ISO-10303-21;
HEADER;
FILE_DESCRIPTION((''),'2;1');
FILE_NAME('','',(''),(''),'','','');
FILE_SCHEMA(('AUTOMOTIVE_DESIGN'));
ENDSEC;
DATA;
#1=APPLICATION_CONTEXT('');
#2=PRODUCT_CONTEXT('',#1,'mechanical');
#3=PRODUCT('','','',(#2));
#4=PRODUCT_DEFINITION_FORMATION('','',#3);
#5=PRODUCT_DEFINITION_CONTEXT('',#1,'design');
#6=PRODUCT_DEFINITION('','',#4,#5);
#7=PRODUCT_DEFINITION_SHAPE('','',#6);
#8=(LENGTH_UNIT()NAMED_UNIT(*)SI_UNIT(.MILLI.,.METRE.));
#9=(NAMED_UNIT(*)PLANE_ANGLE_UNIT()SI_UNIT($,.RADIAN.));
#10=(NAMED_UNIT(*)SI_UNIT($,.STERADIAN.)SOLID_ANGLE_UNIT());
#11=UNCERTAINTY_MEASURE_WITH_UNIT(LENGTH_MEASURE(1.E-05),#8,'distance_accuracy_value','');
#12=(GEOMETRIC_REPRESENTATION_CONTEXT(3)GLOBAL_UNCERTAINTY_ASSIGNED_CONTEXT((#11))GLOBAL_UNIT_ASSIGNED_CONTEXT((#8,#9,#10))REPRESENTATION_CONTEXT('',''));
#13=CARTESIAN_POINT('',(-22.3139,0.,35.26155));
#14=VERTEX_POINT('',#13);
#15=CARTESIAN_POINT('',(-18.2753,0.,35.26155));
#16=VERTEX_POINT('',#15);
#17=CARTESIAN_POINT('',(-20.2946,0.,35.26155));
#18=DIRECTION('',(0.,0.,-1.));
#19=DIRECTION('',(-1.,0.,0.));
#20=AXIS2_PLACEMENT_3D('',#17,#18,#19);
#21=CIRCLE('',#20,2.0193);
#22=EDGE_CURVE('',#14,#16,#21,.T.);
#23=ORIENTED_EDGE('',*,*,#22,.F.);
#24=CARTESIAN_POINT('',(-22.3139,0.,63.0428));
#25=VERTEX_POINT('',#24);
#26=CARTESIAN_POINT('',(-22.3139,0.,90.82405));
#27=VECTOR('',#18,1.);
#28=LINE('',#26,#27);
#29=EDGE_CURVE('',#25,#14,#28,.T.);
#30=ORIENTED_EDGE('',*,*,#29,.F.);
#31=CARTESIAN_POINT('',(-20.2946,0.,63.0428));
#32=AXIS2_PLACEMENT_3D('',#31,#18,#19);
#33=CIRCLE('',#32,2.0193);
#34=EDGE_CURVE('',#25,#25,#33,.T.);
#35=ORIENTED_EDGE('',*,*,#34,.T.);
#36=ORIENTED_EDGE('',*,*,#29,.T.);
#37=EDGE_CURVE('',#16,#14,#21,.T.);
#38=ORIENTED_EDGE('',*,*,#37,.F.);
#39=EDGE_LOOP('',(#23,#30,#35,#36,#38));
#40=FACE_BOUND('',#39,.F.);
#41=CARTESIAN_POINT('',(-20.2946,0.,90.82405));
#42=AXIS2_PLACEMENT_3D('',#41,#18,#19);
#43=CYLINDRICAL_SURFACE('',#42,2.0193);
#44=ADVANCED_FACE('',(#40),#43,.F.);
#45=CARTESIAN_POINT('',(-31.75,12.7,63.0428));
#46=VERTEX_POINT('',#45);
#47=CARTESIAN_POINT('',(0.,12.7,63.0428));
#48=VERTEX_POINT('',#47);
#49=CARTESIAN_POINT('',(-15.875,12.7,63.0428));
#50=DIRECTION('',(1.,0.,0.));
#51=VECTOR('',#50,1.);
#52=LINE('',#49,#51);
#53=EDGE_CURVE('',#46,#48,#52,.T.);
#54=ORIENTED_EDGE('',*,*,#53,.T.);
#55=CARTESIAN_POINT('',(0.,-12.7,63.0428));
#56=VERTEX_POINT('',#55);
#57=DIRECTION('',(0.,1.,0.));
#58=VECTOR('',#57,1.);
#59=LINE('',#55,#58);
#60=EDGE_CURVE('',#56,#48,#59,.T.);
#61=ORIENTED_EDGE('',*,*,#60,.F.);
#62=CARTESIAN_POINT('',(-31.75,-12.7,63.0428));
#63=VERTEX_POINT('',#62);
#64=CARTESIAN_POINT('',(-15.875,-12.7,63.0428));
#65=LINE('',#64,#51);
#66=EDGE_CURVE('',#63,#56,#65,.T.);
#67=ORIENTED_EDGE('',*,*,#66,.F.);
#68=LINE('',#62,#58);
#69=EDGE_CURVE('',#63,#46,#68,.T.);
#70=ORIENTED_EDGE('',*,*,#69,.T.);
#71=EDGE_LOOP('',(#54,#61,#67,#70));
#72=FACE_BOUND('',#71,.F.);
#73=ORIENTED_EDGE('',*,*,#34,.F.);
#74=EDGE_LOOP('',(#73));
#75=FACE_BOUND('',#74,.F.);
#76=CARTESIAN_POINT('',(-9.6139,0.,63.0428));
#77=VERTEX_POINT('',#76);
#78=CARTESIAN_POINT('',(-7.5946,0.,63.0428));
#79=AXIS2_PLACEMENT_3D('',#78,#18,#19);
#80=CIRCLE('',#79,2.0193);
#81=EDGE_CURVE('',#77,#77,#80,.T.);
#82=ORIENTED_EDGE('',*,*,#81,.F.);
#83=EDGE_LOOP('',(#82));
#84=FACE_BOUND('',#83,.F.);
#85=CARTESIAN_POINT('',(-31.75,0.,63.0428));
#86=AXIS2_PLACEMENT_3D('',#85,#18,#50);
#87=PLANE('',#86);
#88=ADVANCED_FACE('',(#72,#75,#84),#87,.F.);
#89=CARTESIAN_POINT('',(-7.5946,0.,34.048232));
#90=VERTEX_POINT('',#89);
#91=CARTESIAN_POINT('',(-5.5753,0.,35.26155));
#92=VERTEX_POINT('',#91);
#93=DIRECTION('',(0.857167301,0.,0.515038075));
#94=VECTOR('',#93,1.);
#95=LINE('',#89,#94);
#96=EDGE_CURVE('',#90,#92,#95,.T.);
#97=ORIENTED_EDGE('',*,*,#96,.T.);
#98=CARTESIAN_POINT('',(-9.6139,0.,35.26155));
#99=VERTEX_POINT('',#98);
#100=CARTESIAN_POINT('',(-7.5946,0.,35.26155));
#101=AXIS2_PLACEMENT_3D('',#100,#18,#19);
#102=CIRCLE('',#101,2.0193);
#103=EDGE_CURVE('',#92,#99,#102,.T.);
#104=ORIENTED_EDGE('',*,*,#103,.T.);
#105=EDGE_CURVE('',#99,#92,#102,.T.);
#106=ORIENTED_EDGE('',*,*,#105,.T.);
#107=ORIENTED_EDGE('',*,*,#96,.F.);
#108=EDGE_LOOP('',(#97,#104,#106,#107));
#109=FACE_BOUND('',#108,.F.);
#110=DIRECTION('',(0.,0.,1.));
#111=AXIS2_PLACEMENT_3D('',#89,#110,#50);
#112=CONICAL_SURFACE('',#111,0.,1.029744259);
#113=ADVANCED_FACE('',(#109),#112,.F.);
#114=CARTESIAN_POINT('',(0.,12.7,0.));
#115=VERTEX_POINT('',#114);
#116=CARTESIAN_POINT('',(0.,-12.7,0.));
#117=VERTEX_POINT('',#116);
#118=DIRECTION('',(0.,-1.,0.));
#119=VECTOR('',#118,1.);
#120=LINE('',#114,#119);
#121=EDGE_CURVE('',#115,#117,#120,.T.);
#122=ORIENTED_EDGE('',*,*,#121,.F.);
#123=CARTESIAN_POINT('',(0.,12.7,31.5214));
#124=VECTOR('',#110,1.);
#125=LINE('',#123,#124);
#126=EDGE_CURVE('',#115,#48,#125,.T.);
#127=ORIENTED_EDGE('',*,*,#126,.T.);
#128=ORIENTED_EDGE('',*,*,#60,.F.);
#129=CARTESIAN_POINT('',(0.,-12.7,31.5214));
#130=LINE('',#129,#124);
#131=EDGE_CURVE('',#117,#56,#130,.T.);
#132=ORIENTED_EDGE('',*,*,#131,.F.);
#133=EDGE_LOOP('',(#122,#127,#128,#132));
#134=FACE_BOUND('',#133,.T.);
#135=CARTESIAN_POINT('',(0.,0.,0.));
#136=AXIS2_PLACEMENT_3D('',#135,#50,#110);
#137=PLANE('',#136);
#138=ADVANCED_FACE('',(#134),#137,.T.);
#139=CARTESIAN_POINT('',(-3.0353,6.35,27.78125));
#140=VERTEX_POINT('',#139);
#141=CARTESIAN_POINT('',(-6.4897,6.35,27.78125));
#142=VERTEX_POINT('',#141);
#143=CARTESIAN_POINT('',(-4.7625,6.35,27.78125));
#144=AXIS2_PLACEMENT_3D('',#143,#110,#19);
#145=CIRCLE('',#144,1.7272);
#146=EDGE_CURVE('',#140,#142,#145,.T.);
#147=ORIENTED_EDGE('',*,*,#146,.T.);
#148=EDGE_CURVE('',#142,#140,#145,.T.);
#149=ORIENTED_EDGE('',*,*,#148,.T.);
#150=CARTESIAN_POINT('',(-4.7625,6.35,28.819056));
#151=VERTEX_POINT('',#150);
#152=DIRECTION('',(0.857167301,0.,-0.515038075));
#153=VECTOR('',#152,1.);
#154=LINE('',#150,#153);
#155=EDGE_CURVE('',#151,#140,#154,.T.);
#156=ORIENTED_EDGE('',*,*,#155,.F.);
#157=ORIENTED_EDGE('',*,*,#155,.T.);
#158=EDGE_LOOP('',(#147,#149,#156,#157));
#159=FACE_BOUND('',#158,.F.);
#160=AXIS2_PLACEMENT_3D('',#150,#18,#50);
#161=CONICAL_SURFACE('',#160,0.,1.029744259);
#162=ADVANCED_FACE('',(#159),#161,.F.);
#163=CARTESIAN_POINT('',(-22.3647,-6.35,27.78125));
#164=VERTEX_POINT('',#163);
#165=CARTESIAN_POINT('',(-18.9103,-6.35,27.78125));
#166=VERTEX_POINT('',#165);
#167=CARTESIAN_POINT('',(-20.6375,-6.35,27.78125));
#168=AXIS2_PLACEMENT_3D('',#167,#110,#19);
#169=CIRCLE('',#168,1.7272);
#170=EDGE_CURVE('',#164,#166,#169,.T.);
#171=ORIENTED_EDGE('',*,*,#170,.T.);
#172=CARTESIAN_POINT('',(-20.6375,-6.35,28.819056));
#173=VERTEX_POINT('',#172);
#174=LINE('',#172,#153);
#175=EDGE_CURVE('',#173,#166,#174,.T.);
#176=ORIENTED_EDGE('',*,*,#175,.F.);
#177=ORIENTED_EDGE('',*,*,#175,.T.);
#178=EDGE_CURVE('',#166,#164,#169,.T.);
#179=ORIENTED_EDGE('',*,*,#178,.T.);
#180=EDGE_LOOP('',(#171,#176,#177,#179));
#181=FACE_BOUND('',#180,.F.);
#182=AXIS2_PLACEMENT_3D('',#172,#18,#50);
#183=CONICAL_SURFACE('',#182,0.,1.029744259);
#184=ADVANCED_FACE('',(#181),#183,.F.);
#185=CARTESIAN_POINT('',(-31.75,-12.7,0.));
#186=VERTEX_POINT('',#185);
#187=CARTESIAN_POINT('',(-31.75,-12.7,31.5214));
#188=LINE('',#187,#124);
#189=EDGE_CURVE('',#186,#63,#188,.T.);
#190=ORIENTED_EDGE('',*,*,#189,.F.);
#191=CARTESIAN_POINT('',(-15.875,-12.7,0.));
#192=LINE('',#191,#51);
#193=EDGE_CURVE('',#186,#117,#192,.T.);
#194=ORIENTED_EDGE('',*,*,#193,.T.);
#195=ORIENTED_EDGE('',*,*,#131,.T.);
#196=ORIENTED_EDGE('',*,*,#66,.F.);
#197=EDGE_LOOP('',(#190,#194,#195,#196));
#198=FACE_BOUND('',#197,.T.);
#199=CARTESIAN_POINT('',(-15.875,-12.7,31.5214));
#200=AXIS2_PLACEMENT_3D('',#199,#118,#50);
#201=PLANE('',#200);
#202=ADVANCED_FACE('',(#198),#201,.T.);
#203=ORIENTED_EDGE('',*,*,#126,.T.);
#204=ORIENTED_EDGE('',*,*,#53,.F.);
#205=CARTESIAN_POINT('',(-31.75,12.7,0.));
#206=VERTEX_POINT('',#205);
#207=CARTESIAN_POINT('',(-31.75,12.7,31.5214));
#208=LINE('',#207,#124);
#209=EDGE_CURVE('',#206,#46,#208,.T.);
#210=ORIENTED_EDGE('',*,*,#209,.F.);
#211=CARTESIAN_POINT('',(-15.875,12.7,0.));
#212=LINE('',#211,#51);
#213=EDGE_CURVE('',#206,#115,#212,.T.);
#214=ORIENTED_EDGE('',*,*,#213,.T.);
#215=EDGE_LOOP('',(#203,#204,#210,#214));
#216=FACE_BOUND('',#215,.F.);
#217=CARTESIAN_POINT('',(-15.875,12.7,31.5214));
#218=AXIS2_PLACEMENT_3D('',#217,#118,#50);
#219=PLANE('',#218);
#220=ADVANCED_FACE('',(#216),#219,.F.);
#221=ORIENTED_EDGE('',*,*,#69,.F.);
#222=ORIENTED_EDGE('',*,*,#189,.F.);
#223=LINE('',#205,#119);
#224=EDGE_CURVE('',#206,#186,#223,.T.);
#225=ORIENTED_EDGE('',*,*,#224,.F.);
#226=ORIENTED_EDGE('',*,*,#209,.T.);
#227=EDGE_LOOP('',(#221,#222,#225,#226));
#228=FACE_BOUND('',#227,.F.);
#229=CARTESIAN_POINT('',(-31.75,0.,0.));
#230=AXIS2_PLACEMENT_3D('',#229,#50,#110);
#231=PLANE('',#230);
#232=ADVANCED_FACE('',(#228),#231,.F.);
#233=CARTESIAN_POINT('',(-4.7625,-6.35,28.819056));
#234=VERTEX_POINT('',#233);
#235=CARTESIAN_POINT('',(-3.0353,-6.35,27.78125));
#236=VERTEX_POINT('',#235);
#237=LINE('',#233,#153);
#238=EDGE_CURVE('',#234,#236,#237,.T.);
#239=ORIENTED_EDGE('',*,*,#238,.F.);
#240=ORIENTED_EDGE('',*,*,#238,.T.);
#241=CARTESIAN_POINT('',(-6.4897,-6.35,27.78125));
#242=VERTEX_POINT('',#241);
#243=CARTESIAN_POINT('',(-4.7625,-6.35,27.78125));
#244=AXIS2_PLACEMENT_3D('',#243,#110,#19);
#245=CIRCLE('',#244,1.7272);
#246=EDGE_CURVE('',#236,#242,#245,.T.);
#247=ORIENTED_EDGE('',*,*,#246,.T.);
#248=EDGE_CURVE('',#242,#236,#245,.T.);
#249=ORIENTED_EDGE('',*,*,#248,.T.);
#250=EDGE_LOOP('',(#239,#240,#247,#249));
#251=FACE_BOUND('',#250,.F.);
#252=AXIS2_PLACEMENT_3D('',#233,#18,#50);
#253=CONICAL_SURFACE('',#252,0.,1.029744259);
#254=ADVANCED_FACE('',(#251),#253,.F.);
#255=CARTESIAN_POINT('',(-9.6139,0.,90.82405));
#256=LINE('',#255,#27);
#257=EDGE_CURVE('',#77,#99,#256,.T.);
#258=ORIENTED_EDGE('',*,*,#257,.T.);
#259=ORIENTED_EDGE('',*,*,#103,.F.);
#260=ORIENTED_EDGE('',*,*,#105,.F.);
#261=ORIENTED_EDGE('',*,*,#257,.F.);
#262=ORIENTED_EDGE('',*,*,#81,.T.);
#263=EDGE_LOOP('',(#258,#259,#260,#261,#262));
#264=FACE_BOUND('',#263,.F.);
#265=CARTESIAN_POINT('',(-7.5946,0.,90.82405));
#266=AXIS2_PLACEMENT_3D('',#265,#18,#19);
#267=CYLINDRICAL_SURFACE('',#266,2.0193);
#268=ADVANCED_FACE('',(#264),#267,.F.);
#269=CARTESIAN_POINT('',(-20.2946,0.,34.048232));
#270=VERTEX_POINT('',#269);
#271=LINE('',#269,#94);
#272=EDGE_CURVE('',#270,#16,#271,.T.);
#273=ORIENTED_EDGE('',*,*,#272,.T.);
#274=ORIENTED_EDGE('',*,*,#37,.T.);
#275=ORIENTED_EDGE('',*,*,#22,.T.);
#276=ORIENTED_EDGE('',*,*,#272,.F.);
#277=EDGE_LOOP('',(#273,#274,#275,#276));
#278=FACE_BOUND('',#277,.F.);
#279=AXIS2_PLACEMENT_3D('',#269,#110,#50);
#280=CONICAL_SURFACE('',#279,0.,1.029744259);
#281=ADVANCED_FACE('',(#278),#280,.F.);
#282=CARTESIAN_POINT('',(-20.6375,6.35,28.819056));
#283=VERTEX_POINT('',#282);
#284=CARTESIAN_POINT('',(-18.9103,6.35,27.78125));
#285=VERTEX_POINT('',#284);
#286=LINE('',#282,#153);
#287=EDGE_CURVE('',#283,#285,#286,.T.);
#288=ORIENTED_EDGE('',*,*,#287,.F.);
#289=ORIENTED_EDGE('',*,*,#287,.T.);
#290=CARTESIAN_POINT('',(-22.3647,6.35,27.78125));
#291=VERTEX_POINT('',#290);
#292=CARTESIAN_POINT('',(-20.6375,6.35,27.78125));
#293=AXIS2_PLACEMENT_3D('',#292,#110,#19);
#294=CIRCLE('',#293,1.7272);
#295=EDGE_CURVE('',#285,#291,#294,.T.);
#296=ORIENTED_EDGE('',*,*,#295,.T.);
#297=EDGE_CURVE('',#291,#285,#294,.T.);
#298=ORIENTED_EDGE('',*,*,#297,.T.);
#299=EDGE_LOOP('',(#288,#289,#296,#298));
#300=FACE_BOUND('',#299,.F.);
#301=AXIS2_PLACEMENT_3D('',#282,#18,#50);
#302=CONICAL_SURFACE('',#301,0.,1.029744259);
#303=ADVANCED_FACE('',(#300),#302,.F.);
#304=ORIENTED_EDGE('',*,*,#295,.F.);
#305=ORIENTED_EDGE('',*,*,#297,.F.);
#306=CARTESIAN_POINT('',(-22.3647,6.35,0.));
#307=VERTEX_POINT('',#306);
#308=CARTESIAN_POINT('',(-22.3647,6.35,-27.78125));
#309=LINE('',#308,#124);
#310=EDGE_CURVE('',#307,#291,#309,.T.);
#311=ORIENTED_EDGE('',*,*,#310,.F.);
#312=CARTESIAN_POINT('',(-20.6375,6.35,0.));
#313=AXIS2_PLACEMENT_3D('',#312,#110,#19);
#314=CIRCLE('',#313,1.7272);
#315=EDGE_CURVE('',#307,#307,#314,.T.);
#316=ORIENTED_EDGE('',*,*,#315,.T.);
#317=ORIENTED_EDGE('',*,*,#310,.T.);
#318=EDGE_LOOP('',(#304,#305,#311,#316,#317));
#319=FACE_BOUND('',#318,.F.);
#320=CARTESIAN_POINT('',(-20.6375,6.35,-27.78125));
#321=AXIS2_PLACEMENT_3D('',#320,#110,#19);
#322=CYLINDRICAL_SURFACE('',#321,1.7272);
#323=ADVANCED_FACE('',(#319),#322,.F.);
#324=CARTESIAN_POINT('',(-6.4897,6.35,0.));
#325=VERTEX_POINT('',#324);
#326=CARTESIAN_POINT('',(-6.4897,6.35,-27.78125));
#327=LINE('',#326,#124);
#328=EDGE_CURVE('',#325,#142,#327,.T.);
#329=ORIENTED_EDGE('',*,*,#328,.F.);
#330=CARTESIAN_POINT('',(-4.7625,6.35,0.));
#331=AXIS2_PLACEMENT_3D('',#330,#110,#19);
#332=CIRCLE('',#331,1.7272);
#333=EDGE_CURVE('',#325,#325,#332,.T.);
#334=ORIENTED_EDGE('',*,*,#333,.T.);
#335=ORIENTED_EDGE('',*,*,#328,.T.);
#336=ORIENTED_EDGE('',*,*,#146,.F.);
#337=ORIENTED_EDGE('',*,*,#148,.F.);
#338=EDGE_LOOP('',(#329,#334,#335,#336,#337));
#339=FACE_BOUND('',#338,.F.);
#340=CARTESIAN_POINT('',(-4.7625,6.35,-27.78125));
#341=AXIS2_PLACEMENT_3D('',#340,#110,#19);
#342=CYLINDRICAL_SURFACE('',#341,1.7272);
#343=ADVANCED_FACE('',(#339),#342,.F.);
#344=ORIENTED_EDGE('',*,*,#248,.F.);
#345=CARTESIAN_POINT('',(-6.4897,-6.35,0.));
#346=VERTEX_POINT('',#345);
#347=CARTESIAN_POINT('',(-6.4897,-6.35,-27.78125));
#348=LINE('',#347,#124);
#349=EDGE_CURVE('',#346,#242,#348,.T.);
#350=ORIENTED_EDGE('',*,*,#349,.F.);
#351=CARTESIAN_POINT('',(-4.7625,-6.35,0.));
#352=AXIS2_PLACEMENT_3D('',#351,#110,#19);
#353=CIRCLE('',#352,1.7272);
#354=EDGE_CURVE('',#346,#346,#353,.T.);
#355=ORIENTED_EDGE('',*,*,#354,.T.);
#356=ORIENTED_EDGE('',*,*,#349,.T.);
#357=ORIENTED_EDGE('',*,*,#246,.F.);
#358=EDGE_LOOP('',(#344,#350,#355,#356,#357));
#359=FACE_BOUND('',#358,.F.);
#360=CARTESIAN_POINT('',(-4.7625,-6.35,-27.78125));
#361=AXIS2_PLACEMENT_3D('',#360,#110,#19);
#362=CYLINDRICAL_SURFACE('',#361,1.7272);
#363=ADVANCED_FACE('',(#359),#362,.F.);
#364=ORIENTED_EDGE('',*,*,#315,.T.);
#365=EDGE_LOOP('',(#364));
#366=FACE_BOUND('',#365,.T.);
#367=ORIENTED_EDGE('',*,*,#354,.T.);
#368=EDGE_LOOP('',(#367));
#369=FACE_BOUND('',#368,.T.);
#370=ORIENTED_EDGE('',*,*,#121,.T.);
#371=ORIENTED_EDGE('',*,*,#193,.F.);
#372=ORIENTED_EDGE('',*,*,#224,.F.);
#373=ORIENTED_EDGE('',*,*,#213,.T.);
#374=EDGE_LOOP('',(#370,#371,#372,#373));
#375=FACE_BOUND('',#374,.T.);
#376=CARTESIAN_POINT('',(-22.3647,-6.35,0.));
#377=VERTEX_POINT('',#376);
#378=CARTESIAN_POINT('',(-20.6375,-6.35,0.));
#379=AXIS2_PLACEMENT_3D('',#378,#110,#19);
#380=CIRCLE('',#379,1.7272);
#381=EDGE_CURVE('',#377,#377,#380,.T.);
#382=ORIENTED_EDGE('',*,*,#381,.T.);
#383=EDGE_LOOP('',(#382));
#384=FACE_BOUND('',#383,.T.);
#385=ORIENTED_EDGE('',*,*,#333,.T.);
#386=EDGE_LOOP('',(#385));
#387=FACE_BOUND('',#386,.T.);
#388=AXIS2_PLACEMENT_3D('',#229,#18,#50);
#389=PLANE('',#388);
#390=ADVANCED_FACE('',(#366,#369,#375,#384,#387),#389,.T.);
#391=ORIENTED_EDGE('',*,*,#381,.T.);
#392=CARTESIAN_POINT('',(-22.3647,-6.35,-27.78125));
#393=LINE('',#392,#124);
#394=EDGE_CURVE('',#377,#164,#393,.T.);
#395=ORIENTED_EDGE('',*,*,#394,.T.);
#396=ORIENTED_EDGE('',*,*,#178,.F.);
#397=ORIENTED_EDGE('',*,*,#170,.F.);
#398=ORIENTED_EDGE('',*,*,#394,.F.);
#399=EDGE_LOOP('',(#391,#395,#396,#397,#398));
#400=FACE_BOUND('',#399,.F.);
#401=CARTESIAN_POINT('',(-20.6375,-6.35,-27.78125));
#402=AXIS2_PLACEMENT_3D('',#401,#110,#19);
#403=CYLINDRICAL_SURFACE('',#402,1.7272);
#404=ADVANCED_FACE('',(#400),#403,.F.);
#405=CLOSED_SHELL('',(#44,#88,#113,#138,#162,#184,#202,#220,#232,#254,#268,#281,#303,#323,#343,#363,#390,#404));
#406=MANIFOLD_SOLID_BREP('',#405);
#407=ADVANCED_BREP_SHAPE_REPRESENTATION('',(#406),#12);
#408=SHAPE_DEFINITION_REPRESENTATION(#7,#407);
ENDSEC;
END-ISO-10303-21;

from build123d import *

# Parameters (mm, degrees)
F0_W     = 31.75
F0_H     = 63.0428
F1_DEPTH = 12.7
F3_D     = 3.4544
F3_DEPTH = 27.78125
F3_TIP   = 1.0378064612
F5_D     = 4.0386
F5_DEPTH = 27.78125
F5_TIP   = 1.213317848


with BuildPart() as f1:
    # F0 (on Front) → F1 (new body, symmetric)
    with BuildSketch(Plane.XZ):
        with Locations((-15.875, 31.5214)):
            Rectangle(F0_W, F0_H)
    extrude(amount=F1_DEPTH, both=True)

    # F3
    with Locations(Plane(origin=(0, 0, 0), x_dir=(1, 0, 0), z_dir=(0, 0, -1))):
        with Locations((-20.6375, 6.35), (-4.7625, 6.35), (-4.7625, -6.35), (-20.6375, -6.35)):
            Hole(F3_D / 2, depth=F3_DEPTH)
            with Locations((0, 0, -(F3_DEPTH + F3_TIP / 2))):  # 118° drill point
                Cone(0, F3_D / 2, F3_TIP, mode=Mode.SUBTRACT)

    # F5
    with Locations(Plane.XY.offset(63.0428)):
        with Locations((-7.5946, 0), (-20.2946, 0)):
            Hole(F5_D / 2, depth=F5_DEPTH)
            with Locations((0, 0, -(F5_DEPTH + F5_TIP / 2))):  # 118° drill point
                Cone(0, F5_D / 2, F5_TIP, mode=Mode.SUBTRACT)


solid = f1.part
